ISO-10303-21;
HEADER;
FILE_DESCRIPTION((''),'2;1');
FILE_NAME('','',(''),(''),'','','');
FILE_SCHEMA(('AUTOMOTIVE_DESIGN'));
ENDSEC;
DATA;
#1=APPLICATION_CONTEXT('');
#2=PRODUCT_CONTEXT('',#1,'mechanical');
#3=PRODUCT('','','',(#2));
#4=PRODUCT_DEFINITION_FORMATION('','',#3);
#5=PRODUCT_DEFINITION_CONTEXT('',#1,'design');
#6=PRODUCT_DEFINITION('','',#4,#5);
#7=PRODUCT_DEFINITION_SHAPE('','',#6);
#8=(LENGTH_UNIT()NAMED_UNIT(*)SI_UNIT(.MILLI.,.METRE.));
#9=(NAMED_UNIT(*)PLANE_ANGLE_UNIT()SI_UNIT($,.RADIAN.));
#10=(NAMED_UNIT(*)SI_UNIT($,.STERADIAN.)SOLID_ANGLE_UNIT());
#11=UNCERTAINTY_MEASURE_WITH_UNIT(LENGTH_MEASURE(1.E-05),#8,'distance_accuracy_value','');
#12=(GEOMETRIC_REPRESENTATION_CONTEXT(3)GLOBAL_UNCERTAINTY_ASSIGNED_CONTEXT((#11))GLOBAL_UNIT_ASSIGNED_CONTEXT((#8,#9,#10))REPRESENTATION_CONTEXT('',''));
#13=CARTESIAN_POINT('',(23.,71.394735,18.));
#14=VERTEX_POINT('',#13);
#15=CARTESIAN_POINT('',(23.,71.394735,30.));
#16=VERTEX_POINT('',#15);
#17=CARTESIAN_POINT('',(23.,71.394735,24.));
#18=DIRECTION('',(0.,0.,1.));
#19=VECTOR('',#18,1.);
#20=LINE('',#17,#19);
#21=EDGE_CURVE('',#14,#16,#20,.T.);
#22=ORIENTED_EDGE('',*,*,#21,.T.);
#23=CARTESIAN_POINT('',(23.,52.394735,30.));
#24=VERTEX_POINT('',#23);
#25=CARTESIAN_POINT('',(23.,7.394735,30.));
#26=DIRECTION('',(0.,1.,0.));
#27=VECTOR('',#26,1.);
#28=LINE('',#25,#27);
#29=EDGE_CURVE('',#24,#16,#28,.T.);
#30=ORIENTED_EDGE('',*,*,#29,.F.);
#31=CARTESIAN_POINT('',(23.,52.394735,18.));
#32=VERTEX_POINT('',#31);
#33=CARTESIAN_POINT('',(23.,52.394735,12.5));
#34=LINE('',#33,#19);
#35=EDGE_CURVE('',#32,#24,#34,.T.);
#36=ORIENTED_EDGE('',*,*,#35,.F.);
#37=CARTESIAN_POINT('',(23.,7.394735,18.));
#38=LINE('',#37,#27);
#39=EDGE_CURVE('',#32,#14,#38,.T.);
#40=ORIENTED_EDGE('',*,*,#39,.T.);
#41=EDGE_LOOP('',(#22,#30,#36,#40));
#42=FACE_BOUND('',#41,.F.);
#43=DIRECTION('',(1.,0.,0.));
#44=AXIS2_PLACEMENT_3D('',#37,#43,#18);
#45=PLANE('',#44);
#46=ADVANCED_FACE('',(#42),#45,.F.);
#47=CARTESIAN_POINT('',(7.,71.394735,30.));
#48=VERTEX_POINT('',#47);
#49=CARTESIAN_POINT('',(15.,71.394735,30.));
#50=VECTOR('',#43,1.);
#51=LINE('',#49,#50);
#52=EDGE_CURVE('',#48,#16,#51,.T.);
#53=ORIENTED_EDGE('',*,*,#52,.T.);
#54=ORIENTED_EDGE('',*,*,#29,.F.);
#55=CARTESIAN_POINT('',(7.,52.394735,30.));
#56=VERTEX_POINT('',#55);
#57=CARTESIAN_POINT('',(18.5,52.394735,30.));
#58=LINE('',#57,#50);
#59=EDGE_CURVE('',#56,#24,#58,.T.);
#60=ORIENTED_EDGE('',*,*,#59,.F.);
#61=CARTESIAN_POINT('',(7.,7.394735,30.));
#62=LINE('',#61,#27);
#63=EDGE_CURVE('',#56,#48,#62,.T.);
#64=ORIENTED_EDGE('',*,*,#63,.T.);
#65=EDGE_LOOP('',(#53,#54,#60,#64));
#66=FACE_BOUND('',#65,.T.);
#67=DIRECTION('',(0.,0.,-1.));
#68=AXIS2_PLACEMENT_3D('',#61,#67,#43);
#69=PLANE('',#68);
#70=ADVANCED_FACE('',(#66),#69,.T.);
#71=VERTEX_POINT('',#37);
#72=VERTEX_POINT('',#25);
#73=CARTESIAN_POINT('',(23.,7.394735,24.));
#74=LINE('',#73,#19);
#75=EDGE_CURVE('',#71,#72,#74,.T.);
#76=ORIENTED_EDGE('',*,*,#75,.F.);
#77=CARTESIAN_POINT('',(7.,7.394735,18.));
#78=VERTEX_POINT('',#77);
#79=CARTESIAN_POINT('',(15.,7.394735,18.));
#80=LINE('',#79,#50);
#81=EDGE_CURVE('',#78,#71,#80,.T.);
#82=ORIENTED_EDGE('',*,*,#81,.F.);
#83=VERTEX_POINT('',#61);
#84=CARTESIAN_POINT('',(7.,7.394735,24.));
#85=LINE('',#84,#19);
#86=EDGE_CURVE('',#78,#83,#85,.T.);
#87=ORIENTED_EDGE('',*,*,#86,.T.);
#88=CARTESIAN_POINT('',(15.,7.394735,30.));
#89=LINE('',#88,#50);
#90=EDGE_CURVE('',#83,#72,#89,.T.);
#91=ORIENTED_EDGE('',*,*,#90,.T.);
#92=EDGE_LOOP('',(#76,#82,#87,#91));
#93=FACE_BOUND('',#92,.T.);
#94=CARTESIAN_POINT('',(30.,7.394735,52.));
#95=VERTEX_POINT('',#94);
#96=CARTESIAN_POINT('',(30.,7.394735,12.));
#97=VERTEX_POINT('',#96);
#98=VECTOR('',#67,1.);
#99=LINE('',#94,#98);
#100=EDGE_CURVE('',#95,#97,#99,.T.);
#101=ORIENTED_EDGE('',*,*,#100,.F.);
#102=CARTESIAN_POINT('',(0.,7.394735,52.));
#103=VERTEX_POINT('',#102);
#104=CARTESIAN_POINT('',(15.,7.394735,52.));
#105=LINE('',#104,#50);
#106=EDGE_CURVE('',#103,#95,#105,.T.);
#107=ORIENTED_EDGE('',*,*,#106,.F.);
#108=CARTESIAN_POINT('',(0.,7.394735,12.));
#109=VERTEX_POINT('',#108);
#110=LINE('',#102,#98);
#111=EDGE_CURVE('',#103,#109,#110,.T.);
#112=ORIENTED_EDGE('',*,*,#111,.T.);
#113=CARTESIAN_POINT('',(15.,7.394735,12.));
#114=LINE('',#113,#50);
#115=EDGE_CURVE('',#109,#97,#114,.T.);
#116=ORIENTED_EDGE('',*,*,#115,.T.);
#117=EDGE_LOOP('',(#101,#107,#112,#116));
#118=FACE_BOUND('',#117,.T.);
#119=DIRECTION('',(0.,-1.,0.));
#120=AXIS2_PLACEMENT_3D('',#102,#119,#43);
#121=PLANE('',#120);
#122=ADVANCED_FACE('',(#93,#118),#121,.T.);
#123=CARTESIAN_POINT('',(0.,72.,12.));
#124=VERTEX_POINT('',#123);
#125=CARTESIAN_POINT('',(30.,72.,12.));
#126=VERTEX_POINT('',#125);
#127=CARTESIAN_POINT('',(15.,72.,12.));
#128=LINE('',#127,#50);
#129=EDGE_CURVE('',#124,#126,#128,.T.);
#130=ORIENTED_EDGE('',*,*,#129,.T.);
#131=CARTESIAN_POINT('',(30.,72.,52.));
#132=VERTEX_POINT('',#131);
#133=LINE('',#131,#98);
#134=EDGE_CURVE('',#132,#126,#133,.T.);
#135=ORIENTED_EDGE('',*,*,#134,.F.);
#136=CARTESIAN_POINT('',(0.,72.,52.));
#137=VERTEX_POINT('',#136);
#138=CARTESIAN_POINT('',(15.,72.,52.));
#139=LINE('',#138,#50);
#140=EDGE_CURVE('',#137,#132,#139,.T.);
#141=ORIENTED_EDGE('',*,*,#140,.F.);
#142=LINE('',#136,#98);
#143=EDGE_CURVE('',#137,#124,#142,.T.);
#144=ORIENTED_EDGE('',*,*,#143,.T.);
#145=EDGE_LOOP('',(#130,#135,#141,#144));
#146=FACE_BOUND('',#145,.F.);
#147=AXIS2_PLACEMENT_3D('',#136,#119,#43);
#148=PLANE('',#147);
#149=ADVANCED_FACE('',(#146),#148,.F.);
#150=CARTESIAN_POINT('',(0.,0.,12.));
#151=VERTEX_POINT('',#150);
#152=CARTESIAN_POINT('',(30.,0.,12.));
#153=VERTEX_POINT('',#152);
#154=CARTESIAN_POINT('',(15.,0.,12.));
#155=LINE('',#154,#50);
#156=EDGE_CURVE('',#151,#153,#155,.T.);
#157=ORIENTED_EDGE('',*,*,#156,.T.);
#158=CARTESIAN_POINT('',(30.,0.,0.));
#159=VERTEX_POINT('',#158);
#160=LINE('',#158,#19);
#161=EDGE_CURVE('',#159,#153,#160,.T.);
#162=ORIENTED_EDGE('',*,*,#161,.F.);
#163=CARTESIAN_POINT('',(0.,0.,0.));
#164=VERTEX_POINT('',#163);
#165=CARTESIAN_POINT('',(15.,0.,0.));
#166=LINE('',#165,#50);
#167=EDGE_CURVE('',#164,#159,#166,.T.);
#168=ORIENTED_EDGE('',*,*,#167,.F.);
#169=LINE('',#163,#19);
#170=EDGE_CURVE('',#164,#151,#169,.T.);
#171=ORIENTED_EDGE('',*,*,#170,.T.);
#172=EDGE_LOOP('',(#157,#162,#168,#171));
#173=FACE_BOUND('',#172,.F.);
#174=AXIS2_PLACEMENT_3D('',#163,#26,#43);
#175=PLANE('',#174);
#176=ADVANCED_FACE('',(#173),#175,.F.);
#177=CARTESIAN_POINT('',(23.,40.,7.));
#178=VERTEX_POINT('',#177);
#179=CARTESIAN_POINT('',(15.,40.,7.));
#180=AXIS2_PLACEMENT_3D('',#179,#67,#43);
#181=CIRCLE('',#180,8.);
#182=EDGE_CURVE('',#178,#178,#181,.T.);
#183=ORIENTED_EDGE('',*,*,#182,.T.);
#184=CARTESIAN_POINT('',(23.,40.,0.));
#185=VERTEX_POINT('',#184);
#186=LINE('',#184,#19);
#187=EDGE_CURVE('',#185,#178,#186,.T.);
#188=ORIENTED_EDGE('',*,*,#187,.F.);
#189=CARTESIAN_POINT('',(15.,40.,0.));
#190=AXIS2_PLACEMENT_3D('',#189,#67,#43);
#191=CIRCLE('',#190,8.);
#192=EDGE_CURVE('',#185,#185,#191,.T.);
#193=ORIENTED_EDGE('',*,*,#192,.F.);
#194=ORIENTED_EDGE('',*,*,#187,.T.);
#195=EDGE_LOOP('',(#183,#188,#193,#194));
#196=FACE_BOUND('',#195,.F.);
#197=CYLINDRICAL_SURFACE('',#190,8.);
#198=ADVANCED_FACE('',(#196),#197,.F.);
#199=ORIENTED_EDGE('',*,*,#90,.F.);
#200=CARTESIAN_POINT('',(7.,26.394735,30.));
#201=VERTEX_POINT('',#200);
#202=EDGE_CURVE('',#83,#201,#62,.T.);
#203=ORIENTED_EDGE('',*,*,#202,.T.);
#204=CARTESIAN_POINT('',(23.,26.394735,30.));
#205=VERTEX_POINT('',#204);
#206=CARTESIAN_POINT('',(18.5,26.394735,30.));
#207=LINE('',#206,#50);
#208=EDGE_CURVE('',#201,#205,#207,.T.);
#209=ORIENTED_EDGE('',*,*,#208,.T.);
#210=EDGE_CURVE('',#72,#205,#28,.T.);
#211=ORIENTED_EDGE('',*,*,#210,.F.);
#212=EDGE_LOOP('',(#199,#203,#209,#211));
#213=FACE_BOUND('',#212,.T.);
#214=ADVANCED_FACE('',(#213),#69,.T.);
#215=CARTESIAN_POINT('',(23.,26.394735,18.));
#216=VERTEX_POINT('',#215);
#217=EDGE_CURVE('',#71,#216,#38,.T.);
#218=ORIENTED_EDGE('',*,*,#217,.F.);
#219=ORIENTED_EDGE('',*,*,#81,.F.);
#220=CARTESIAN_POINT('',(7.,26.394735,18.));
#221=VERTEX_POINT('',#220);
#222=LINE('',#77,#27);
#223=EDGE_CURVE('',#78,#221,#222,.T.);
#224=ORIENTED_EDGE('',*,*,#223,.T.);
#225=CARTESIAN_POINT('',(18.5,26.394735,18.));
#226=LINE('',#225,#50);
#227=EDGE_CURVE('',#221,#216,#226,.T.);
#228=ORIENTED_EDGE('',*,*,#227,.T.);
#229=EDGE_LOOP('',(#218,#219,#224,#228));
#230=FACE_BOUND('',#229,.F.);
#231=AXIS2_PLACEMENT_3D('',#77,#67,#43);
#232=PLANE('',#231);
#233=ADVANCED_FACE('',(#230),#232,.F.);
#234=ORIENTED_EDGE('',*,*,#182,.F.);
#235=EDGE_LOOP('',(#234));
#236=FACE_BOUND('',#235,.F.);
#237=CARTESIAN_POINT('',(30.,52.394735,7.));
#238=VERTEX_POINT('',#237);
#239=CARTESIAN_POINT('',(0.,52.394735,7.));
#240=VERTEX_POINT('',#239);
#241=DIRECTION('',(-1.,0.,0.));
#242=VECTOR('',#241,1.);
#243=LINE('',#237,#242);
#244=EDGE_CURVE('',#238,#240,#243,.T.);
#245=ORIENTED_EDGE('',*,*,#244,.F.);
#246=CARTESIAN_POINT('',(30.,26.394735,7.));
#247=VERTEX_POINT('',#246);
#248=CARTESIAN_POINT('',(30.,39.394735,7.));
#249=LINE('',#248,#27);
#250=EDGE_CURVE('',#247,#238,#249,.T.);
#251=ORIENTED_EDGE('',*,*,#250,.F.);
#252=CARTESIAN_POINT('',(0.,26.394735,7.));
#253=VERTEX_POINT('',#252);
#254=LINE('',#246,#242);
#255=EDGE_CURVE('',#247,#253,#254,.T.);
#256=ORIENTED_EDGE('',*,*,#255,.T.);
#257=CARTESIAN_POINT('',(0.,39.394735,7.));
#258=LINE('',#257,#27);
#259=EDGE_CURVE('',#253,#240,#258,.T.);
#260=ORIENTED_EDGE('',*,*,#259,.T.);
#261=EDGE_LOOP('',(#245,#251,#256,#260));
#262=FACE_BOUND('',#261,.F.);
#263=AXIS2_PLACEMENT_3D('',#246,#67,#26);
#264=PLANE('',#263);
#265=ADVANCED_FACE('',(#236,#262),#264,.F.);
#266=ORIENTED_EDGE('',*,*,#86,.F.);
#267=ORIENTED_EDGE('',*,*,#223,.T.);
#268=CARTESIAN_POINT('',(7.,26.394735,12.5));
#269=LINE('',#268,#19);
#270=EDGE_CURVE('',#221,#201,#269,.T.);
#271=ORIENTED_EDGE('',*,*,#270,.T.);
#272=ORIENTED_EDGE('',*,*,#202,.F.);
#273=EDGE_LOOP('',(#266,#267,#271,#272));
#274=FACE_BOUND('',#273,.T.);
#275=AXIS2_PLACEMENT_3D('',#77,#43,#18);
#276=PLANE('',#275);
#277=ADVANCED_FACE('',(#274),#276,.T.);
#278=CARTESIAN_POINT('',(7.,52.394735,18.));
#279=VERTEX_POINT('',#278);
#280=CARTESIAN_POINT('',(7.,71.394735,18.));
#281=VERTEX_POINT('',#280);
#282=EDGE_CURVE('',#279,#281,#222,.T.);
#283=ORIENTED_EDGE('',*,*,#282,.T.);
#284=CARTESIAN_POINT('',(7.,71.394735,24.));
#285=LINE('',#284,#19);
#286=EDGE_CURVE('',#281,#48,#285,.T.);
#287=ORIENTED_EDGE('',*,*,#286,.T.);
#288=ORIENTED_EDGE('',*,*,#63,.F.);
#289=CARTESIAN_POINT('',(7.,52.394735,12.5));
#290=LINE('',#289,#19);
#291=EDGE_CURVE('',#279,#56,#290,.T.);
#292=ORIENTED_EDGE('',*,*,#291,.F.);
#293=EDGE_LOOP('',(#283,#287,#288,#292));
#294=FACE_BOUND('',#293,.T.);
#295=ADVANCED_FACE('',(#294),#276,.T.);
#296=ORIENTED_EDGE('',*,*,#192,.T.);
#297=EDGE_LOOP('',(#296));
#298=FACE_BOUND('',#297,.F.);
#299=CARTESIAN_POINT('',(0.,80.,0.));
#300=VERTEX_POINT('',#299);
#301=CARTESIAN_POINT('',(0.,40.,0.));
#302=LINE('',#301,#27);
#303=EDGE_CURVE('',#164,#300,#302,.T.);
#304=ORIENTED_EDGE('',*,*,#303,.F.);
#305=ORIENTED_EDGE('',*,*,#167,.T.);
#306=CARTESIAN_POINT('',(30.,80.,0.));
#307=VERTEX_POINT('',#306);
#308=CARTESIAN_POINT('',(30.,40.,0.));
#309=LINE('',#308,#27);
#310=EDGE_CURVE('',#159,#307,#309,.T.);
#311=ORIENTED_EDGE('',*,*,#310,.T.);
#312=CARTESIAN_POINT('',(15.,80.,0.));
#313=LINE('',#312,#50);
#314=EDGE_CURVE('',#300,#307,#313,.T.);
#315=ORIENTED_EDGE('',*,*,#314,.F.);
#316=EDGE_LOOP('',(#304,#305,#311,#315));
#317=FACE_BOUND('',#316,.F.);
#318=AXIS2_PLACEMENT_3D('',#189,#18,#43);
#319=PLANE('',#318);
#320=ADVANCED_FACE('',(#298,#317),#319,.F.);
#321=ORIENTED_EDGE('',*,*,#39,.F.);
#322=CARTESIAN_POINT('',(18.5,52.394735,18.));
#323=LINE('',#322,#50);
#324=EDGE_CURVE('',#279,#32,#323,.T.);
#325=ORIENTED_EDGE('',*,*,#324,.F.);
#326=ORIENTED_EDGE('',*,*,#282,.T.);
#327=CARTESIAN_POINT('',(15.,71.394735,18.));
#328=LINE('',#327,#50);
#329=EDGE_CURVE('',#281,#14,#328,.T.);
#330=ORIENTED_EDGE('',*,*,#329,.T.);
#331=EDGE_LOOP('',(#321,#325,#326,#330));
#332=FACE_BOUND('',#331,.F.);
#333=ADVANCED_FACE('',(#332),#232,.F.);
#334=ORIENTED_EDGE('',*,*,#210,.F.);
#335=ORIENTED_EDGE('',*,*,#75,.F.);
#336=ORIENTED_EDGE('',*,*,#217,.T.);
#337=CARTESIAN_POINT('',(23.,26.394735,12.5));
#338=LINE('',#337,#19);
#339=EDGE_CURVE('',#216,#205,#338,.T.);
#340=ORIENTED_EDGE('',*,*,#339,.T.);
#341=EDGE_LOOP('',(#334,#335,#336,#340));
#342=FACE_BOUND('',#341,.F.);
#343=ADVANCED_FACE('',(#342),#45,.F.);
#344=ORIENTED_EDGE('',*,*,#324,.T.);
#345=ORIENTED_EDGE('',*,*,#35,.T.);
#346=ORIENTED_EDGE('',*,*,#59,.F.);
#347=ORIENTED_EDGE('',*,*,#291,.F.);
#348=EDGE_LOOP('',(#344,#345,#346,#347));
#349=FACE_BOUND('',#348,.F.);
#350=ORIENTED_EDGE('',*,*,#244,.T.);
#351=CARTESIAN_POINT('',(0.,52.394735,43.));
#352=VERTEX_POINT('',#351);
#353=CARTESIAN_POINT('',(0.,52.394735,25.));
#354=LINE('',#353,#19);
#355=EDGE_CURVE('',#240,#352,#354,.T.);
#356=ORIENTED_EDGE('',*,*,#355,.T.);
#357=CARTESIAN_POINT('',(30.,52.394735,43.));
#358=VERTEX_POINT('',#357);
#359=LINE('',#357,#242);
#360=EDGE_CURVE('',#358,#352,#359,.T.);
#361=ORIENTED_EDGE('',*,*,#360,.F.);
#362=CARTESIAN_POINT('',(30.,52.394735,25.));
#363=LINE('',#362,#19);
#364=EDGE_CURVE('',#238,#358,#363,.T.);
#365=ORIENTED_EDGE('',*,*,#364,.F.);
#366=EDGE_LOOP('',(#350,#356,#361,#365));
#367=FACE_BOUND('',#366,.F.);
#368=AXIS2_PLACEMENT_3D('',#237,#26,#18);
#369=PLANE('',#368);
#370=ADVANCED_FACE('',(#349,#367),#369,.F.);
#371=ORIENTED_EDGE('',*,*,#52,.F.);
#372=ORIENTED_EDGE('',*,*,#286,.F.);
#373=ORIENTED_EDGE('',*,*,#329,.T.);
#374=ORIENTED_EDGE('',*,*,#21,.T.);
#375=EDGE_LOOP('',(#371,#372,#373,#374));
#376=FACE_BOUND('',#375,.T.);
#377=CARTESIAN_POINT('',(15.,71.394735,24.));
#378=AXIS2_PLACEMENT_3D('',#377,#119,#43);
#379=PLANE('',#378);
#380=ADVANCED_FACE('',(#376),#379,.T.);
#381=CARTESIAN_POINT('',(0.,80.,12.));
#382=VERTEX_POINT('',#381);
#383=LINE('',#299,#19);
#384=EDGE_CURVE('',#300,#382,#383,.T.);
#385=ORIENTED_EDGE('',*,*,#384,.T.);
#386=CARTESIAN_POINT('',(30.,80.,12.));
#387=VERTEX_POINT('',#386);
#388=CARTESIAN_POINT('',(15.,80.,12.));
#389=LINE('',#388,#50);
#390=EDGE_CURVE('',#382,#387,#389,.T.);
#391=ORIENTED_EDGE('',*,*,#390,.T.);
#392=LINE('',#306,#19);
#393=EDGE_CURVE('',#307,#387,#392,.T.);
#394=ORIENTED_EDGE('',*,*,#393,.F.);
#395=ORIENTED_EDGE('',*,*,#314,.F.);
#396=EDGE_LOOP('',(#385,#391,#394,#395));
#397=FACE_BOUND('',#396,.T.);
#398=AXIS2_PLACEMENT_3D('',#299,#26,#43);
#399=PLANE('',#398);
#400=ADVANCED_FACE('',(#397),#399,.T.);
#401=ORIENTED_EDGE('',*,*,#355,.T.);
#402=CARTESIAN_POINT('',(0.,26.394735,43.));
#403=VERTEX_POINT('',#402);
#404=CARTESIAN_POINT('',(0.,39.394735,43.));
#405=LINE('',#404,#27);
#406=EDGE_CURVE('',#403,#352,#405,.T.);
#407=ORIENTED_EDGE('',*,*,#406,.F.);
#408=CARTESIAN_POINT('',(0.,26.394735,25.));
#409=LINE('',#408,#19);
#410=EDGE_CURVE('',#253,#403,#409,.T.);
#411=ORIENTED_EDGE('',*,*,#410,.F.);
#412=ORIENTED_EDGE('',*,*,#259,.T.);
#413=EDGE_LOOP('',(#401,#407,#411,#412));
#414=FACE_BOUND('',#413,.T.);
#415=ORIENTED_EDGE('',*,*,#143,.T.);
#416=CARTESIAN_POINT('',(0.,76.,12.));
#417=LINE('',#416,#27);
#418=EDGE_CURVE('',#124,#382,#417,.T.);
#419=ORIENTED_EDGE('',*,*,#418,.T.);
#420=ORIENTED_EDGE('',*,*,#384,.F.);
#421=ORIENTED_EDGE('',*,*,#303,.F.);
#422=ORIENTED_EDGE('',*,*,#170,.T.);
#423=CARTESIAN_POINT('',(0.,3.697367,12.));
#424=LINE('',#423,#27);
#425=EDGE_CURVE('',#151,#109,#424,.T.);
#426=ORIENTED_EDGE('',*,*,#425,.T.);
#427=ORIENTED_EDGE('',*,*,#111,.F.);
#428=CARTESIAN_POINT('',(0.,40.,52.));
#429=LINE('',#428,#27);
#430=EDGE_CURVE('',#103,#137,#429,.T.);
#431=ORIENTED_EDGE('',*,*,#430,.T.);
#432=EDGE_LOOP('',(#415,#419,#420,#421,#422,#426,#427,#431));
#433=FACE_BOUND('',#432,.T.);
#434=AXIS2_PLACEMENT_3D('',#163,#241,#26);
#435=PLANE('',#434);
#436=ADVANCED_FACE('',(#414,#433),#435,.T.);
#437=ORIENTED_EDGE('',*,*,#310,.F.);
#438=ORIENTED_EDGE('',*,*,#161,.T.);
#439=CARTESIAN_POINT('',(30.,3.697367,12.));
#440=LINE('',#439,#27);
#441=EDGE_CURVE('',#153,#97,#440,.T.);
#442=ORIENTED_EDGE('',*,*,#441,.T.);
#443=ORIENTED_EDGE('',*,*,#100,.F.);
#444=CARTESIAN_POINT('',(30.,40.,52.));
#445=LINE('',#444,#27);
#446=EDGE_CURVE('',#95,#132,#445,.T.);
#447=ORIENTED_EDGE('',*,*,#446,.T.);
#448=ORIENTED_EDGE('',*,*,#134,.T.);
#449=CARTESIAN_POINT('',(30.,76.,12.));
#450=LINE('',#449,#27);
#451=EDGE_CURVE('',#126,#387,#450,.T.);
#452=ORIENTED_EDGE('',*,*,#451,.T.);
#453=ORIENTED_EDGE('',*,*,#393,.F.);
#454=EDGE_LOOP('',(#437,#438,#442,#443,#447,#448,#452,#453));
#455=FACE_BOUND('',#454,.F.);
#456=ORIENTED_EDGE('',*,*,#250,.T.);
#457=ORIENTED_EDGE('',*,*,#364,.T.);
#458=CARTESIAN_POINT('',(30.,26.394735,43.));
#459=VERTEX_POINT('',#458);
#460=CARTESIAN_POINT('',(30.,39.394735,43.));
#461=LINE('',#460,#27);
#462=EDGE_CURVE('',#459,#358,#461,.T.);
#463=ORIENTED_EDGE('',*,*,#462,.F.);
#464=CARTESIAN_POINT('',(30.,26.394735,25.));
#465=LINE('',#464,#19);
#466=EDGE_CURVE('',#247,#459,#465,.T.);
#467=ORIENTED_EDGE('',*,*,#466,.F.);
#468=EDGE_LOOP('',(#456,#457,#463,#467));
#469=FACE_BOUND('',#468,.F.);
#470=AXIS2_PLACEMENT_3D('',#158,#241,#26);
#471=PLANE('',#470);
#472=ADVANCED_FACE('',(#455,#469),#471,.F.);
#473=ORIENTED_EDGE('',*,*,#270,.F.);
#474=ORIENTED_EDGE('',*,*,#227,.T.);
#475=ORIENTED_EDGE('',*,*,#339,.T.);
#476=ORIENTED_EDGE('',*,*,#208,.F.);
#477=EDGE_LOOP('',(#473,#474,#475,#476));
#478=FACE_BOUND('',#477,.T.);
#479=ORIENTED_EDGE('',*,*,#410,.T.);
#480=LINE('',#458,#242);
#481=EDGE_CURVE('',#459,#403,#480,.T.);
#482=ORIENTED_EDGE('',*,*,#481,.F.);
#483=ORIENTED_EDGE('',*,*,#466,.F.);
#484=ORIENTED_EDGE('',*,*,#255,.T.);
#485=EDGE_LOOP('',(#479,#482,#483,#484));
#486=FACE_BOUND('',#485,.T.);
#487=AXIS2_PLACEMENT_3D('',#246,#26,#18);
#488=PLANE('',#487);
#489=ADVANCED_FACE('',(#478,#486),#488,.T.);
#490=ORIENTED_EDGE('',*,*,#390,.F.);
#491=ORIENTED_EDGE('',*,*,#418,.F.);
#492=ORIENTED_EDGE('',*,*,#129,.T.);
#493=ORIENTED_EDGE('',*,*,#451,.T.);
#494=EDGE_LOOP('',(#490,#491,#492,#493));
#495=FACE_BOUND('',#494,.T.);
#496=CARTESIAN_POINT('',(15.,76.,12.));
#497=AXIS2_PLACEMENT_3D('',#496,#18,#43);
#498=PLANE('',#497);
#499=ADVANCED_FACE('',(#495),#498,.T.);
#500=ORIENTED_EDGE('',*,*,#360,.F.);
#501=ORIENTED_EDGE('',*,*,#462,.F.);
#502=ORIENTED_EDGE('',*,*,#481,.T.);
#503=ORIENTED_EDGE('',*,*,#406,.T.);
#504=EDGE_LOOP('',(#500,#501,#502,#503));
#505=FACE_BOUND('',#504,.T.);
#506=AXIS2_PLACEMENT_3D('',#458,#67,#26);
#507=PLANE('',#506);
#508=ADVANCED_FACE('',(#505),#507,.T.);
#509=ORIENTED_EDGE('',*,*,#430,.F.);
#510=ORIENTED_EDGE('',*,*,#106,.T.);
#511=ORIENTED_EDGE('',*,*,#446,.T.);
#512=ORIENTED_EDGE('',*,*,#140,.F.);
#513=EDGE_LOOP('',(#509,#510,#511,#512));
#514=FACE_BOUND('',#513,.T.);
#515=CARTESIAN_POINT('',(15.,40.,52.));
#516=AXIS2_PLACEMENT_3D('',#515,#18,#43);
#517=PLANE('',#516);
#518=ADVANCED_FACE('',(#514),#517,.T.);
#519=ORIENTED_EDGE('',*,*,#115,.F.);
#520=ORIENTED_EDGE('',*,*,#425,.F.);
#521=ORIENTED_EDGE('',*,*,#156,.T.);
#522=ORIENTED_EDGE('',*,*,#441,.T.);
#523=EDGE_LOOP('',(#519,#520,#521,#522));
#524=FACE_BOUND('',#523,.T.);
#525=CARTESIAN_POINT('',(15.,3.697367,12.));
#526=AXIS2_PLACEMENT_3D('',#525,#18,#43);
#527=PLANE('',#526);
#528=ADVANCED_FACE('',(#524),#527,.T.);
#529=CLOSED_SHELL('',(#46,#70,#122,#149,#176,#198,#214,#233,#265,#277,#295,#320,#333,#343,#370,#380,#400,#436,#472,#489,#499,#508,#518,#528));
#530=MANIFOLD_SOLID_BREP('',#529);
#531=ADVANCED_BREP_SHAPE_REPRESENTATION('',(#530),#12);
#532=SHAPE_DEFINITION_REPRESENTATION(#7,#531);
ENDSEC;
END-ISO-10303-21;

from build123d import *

# Parameters (mm, degrees)
F0_W     = 30
F0_H     = 80
F1_DEPTH = 52
F2_W     = 30
F2_H     = 8
F2_H_2   = 7.3947347701
F3_DEPTH = 40
F4_W     = 16
F4_H     = 12
F5_DEPTH = 64
F6_W     = 26
F6_H     = 36
F7_DEPTH = 30
F8_R     = 8
F9_DEPTH = 9


with BuildPart() as f1:
    # F0 (on Top) → F1 (new body)
    with BuildSketch(Plane.XY):
        with Locations((15, 40)):
            Rectangle(F0_W, F0_H)
    extrude(amount=F1_DEPTH)

    # F2 (on face) → F3 (cut)
    with BuildSketch(Plane.XY.offset(52)):
        with Locations((15, 76)):
            Rectangle(F2_W, F2_H)
        with Locations((15, 3.697367385)):
            Rectangle(F2_W, F2_H_2)
    extrude(amount=-F3_DEPTH, mode=Mode.SUBTRACT)

    # F4 (on face) → F5 (cut)
    with BuildSketch(Plane.XZ.offset(-7.3947347701)):
        with Locations((15, 24)):
            Rectangle(F4_W, F4_H)
    extrude(amount=-F5_DEPTH, mode=Mode.SUBTRACT)

    # F6 (on face) → F7 (cut)
    with BuildSketch(Plane.YZ.offset(30)):
        with Locations((39.3947347701, 25)):
            Rectangle(F6_W, F6_H)
    extrude(amount=-F7_DEPTH, mode=Mode.SUBTRACT)

    # F8 (on face) → F9 (cut)
    with BuildSketch(Plane(origin=(0, 0, 0), x_dir=(1, 0, 0), z_dir=(0, 0, -1))):
        with Locations((15, -40)):
            Circle(F8_R)
    extrude(amount=-F9_DEPTH, mode=Mode.SUBTRACT)


solid = f1.part
